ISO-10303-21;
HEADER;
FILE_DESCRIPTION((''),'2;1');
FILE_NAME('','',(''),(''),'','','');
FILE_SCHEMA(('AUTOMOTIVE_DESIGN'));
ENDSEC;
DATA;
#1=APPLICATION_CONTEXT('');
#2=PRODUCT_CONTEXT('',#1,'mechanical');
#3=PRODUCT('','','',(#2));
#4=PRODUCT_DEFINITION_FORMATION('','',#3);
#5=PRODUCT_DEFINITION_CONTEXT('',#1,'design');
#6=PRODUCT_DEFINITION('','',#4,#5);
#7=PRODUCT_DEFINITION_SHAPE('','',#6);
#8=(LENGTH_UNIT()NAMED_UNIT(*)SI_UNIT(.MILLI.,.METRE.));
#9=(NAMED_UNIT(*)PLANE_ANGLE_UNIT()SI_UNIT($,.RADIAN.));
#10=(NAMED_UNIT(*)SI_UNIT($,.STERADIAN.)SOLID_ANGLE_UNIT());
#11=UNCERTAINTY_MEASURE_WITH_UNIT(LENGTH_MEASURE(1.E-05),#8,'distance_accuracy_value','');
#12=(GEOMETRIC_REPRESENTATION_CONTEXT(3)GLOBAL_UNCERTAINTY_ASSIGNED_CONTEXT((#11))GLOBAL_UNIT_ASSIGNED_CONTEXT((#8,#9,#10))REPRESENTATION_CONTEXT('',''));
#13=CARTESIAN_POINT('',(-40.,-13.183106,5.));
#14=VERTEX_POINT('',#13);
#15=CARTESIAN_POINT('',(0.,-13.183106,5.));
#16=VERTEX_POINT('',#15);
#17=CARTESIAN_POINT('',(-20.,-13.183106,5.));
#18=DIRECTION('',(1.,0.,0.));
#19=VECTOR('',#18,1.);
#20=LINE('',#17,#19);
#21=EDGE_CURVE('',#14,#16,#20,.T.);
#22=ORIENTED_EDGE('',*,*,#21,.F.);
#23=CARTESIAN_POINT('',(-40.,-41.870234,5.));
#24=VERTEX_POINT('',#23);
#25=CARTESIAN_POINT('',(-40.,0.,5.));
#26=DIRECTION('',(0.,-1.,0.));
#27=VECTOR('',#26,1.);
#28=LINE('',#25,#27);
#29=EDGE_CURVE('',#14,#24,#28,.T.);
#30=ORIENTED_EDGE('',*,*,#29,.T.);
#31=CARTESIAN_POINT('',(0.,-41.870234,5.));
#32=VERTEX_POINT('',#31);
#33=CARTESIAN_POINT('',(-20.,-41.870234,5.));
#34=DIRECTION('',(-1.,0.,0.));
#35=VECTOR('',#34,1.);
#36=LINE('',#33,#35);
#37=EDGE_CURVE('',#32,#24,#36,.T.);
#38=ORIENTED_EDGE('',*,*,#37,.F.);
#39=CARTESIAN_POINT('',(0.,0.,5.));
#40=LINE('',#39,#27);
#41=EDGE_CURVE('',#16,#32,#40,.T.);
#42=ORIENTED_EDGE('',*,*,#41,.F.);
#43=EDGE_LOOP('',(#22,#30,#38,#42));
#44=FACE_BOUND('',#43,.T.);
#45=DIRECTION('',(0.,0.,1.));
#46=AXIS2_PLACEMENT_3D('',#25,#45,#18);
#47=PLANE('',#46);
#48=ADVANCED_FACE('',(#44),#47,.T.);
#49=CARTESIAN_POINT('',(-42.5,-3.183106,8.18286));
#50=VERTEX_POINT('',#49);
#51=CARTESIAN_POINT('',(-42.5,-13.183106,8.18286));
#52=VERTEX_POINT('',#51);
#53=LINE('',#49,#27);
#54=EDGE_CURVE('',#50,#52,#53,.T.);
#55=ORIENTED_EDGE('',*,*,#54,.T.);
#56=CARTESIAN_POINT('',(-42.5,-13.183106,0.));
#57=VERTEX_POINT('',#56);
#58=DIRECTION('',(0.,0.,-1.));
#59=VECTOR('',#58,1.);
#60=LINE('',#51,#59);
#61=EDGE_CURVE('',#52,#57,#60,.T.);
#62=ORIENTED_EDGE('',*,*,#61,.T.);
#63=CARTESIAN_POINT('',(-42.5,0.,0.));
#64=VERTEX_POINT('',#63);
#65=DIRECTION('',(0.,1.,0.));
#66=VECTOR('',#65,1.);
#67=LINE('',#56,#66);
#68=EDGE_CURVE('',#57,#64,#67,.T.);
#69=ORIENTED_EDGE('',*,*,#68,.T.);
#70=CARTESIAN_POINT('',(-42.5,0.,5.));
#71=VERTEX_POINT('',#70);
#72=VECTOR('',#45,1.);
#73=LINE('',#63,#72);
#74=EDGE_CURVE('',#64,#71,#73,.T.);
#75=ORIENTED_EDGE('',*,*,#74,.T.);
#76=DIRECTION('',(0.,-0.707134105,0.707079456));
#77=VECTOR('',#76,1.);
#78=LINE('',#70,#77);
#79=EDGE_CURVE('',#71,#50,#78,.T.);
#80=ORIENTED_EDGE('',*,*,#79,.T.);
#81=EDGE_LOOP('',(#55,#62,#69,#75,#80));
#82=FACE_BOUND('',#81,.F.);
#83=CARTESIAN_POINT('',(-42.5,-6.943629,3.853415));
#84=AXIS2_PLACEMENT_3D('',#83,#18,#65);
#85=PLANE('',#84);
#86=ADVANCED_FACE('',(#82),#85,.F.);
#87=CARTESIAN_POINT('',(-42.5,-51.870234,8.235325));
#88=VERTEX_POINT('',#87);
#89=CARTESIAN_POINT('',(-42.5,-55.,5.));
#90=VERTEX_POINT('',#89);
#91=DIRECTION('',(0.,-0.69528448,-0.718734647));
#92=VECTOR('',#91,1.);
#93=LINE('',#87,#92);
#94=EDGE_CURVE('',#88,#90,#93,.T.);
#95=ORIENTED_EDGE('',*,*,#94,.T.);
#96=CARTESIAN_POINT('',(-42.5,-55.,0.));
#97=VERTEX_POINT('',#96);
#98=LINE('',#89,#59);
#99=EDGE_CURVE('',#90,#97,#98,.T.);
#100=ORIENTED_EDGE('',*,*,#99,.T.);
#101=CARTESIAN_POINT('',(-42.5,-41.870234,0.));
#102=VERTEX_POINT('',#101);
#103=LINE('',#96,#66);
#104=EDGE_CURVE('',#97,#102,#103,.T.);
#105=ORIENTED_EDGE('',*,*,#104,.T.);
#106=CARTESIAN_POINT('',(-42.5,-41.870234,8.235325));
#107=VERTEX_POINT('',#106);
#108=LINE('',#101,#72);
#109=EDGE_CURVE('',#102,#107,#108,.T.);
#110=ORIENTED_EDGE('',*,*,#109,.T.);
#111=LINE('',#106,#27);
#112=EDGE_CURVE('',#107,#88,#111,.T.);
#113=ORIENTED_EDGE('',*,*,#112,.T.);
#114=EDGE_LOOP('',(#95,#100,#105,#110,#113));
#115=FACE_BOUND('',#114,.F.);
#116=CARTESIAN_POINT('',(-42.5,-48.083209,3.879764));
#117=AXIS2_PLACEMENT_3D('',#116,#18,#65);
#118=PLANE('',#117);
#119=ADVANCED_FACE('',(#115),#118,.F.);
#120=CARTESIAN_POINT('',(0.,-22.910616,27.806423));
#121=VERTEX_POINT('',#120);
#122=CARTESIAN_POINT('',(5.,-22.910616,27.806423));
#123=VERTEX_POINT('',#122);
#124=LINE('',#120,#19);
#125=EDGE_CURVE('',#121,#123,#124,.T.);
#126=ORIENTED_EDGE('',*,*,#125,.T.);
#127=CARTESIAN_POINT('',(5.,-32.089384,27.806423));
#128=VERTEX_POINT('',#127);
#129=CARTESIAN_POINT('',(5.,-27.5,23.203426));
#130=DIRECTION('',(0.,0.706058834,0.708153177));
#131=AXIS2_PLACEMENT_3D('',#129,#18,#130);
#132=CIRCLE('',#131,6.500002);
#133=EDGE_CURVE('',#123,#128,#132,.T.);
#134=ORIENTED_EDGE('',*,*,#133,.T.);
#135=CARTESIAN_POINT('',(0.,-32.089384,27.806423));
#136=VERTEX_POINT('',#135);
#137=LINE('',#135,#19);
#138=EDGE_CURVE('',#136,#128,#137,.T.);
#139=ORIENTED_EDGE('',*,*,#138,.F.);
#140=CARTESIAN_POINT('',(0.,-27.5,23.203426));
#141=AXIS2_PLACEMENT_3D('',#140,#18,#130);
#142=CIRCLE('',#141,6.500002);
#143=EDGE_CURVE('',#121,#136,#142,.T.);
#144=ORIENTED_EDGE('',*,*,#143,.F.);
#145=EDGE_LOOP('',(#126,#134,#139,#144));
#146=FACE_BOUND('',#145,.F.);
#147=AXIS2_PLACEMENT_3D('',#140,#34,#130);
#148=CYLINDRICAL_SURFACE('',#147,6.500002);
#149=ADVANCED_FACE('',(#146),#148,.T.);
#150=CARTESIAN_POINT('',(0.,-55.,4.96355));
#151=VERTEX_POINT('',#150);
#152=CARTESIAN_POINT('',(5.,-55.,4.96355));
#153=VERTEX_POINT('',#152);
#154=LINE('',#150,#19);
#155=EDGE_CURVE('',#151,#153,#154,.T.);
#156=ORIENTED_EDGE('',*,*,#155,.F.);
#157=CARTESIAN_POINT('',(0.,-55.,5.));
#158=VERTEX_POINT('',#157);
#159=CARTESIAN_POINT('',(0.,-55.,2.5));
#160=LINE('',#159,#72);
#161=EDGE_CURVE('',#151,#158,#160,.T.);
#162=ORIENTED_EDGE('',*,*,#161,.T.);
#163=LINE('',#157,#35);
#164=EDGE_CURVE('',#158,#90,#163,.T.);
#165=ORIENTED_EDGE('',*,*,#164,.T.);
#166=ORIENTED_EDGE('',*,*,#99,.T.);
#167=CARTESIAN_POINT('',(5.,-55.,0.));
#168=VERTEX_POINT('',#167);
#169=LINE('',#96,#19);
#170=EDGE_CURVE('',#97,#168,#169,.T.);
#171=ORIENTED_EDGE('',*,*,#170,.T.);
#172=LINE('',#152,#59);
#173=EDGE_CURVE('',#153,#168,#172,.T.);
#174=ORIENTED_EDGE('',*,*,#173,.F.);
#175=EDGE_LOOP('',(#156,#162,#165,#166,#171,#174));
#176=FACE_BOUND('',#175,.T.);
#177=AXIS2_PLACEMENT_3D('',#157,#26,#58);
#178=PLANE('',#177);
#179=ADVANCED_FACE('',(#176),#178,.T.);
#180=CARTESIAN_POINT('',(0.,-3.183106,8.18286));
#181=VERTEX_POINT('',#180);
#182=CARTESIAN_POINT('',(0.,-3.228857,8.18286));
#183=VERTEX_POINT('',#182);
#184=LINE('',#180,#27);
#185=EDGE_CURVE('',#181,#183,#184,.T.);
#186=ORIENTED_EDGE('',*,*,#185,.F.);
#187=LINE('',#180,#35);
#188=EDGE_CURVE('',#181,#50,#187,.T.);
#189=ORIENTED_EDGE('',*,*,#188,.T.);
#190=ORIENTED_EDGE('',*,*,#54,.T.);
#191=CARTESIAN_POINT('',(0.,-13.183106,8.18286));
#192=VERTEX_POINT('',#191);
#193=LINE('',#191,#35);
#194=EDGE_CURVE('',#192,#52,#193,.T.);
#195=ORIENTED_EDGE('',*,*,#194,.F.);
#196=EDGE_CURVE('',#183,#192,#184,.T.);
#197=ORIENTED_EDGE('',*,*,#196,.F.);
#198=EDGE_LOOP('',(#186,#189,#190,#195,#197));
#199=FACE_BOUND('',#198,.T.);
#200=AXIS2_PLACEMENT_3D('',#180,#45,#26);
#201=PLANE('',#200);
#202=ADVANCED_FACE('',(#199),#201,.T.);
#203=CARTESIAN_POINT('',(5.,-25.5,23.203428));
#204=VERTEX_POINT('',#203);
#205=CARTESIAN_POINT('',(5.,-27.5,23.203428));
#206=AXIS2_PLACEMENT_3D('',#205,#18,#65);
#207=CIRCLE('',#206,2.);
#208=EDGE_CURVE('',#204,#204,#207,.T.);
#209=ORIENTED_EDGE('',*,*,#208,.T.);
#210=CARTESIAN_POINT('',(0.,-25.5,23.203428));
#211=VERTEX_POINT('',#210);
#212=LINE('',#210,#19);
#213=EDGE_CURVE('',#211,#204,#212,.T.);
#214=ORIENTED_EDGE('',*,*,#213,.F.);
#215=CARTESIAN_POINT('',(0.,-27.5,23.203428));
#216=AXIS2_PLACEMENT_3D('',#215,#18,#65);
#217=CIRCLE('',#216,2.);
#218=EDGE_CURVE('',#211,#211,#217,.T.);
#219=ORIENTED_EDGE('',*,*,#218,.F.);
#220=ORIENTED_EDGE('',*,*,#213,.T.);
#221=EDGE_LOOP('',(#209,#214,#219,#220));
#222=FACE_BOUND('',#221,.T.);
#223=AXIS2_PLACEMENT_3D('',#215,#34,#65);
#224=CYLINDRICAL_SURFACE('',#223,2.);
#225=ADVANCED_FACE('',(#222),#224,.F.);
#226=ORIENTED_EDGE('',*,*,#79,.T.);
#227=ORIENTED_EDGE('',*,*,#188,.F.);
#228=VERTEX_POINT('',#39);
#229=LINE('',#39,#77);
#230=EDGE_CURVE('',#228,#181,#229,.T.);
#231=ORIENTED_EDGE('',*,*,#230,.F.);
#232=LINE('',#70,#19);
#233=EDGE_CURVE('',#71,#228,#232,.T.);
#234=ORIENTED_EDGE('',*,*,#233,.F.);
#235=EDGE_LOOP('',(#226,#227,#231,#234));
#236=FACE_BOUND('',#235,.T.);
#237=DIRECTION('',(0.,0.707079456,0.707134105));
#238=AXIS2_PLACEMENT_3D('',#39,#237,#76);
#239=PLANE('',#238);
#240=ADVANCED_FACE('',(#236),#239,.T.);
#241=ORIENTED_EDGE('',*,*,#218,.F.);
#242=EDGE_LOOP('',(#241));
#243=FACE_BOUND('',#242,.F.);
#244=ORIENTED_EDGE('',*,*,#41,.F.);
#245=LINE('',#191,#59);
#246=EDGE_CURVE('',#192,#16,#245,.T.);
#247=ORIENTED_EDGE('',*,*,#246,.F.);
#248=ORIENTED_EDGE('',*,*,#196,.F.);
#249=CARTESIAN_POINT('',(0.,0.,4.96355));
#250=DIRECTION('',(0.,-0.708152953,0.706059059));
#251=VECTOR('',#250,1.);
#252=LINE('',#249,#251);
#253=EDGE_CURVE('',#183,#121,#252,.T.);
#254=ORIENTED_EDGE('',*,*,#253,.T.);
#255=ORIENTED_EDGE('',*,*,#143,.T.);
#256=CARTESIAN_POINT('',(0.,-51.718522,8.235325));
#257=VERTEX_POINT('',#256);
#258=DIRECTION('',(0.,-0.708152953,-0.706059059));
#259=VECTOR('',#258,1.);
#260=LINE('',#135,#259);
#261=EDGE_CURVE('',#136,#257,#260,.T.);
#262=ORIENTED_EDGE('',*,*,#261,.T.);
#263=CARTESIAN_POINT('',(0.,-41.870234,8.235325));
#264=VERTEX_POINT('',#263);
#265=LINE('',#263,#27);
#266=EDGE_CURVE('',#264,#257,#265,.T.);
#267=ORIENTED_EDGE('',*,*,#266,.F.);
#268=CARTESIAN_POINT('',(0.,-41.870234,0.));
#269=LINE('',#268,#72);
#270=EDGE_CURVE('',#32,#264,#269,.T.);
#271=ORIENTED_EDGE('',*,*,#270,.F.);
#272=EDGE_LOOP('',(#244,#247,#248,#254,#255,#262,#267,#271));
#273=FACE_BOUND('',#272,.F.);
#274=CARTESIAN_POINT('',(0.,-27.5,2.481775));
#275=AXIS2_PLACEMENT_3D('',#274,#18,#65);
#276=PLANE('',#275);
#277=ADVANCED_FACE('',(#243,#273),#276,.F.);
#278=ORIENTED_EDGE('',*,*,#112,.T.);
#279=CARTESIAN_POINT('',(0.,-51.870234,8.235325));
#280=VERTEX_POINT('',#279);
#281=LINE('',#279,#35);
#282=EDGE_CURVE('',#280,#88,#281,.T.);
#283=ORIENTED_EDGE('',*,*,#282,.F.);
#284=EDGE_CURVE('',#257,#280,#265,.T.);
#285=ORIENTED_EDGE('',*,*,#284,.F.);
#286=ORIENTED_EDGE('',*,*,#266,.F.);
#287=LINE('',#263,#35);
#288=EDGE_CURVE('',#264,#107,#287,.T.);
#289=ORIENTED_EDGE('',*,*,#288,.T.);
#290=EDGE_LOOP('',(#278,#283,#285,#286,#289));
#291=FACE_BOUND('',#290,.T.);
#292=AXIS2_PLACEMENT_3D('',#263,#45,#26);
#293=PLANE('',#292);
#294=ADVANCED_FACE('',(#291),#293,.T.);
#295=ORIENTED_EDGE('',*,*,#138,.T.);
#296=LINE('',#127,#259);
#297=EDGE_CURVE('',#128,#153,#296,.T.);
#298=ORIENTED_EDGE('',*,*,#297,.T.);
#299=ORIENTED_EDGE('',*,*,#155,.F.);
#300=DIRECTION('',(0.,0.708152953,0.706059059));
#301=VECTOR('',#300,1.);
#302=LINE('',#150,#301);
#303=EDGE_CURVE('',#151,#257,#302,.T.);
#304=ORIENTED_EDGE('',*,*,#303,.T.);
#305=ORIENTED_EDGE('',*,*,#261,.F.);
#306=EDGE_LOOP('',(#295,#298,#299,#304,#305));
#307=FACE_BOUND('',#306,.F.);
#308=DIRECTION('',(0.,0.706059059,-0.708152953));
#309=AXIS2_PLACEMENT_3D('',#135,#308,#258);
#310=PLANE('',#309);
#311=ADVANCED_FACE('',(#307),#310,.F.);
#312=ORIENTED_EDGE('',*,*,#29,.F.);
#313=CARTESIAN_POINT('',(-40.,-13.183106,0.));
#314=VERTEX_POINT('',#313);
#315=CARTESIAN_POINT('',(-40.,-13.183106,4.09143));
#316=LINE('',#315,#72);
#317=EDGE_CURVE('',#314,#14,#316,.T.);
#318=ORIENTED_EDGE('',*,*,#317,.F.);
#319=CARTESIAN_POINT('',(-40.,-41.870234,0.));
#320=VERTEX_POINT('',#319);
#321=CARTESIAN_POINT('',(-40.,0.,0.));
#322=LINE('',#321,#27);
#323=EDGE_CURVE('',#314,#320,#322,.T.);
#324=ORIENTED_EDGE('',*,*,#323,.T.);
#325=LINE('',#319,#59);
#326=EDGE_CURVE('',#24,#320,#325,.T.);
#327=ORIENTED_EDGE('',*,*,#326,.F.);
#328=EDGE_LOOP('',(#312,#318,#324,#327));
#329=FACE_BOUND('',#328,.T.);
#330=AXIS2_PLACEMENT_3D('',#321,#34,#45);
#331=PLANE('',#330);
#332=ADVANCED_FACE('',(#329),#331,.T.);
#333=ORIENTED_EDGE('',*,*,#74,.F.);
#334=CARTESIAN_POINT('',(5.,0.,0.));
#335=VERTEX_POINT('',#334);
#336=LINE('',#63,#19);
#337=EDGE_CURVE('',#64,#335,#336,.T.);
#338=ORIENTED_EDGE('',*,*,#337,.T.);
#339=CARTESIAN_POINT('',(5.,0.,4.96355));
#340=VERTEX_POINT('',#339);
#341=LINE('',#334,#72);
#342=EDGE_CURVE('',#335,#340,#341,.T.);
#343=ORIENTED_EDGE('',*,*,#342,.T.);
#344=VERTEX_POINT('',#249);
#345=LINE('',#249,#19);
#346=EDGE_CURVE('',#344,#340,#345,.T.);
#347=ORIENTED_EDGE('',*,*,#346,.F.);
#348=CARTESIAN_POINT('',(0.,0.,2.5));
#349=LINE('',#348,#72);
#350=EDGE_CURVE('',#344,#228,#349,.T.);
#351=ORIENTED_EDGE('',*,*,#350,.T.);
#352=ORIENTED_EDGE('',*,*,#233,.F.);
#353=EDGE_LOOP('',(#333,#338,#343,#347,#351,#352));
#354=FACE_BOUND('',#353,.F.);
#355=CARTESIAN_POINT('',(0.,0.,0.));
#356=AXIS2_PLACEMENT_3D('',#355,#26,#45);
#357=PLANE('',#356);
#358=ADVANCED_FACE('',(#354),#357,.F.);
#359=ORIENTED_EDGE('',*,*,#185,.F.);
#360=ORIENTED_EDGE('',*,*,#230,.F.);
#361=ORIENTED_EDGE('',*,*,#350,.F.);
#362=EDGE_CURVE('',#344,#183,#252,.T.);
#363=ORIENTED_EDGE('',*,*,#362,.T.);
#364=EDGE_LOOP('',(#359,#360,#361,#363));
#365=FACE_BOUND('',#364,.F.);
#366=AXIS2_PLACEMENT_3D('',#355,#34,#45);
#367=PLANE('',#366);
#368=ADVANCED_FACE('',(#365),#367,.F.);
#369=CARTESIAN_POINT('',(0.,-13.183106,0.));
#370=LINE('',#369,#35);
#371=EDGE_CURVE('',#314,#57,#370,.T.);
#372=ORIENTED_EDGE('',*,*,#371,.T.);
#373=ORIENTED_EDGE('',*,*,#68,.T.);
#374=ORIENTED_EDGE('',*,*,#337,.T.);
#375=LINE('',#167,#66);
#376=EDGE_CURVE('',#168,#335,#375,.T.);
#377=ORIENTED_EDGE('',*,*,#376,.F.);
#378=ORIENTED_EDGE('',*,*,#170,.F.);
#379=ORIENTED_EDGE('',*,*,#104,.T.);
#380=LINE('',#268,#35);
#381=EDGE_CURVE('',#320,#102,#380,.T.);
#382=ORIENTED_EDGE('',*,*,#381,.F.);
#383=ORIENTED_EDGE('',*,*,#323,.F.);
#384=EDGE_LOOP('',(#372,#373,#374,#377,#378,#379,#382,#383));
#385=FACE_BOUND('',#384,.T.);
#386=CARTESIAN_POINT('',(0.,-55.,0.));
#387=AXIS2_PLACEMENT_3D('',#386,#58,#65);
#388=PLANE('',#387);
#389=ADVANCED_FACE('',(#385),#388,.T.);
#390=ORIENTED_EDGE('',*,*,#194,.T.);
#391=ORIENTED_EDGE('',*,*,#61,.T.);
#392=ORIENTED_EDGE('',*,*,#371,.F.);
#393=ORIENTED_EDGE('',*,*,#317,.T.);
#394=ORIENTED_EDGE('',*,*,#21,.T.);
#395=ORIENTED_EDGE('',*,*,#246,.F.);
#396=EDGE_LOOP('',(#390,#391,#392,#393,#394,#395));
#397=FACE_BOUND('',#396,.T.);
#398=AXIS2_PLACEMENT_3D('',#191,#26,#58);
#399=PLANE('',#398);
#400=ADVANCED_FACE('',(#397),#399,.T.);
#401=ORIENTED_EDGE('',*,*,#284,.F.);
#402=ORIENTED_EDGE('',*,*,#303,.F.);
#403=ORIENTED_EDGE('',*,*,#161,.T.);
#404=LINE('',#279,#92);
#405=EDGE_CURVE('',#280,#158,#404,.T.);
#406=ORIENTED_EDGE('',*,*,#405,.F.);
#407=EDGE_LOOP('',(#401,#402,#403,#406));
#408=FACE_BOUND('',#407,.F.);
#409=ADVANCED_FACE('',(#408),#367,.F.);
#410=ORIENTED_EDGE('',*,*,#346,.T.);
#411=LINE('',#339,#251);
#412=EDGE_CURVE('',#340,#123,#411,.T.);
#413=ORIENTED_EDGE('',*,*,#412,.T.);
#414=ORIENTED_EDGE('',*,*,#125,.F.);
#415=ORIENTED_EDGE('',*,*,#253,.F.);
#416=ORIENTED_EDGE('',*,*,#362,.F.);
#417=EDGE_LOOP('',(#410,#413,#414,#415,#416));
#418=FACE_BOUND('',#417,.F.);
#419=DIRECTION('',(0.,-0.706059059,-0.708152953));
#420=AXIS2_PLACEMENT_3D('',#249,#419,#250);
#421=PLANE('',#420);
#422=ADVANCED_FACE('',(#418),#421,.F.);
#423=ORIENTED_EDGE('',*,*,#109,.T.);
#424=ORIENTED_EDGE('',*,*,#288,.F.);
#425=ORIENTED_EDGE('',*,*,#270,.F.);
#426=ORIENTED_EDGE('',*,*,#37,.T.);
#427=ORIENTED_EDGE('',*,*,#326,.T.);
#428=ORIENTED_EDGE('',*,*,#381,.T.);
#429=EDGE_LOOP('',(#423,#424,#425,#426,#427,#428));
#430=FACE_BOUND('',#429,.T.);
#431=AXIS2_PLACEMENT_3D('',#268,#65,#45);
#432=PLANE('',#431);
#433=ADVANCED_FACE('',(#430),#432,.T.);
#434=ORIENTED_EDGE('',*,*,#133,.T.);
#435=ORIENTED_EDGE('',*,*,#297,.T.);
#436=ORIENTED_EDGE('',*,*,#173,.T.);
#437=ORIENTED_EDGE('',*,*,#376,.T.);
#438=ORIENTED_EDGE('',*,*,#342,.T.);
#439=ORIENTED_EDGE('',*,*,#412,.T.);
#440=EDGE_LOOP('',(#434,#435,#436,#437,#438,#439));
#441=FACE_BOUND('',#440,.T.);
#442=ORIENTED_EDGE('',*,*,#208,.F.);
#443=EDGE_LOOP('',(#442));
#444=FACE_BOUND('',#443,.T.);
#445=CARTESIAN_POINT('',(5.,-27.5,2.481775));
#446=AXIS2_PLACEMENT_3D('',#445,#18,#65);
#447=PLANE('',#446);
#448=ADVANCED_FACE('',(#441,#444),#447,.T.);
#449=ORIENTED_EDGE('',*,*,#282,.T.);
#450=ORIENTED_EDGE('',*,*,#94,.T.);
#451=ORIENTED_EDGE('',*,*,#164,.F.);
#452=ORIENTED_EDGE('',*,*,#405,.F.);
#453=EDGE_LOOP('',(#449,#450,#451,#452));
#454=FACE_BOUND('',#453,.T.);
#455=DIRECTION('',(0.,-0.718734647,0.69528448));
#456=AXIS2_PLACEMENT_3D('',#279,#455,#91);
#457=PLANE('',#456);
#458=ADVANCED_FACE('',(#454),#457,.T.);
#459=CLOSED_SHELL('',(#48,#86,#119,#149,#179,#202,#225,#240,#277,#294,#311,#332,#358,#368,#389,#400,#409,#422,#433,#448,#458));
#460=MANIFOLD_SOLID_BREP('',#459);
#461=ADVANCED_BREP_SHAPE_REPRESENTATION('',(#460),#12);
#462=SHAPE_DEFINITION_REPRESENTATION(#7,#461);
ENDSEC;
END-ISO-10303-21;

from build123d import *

# Parameters (mm, degrees)
F0_W     = 40
F0_H     = 5
F1_DEPTH = 55
F2_R     = 2
F3_DEPTH = 5
F5_DEPTH = 42.5


with BuildPart() as f1:
    # F0 (on Front) → F1 (new body)
    with BuildSketch(Plane.XZ):
        with Locations((-20, 2.5)):
            Rectangle(F0_W, F0_H)
    extrude(amount=F1_DEPTH)

    # F2 (on Right) → F3 (join)
    with BuildSketch(Plane.YZ):
        Polygon((-5.740549, 0), (0, 0), (0, 4.96355), (-55, 4.96355), (-55, 0), align=None)
        with BuildLine():
            Line((-55, 4.96355), (0, 4.96355))
            Line((0, 4.96355), (-22.910616, 27.806423))
            ThreePointArc((-22.910616, 27.806423), (-27.5, 29.703428), (-32.089384, 27.806423))
            Line((-32.089384, 27.806423), (-55, 4.96355))
        make_face()
        with Locations((-27.5, 23.203428)):
            Circle(F2_R, mode=Mode.SUBTRACT)
    extrude(amount=F3_DEPTH)

    # F4 (on Right) → F5 (join)
    with BuildSketch(Plane.YZ):
        Polygon((-55, 5), (-55, 0), (-41.870234, 0), (-41.870234, 8.235325), (-51.870234, 8.235325), align=None)
        Polygon((0, 0), (0, 5), (-3.183106, 8.18286), (-13.183106, 8.18286), (-13.183106, 0), align=None)
    extrude(amount=-F5_DEPTH)


solid = f1.part
